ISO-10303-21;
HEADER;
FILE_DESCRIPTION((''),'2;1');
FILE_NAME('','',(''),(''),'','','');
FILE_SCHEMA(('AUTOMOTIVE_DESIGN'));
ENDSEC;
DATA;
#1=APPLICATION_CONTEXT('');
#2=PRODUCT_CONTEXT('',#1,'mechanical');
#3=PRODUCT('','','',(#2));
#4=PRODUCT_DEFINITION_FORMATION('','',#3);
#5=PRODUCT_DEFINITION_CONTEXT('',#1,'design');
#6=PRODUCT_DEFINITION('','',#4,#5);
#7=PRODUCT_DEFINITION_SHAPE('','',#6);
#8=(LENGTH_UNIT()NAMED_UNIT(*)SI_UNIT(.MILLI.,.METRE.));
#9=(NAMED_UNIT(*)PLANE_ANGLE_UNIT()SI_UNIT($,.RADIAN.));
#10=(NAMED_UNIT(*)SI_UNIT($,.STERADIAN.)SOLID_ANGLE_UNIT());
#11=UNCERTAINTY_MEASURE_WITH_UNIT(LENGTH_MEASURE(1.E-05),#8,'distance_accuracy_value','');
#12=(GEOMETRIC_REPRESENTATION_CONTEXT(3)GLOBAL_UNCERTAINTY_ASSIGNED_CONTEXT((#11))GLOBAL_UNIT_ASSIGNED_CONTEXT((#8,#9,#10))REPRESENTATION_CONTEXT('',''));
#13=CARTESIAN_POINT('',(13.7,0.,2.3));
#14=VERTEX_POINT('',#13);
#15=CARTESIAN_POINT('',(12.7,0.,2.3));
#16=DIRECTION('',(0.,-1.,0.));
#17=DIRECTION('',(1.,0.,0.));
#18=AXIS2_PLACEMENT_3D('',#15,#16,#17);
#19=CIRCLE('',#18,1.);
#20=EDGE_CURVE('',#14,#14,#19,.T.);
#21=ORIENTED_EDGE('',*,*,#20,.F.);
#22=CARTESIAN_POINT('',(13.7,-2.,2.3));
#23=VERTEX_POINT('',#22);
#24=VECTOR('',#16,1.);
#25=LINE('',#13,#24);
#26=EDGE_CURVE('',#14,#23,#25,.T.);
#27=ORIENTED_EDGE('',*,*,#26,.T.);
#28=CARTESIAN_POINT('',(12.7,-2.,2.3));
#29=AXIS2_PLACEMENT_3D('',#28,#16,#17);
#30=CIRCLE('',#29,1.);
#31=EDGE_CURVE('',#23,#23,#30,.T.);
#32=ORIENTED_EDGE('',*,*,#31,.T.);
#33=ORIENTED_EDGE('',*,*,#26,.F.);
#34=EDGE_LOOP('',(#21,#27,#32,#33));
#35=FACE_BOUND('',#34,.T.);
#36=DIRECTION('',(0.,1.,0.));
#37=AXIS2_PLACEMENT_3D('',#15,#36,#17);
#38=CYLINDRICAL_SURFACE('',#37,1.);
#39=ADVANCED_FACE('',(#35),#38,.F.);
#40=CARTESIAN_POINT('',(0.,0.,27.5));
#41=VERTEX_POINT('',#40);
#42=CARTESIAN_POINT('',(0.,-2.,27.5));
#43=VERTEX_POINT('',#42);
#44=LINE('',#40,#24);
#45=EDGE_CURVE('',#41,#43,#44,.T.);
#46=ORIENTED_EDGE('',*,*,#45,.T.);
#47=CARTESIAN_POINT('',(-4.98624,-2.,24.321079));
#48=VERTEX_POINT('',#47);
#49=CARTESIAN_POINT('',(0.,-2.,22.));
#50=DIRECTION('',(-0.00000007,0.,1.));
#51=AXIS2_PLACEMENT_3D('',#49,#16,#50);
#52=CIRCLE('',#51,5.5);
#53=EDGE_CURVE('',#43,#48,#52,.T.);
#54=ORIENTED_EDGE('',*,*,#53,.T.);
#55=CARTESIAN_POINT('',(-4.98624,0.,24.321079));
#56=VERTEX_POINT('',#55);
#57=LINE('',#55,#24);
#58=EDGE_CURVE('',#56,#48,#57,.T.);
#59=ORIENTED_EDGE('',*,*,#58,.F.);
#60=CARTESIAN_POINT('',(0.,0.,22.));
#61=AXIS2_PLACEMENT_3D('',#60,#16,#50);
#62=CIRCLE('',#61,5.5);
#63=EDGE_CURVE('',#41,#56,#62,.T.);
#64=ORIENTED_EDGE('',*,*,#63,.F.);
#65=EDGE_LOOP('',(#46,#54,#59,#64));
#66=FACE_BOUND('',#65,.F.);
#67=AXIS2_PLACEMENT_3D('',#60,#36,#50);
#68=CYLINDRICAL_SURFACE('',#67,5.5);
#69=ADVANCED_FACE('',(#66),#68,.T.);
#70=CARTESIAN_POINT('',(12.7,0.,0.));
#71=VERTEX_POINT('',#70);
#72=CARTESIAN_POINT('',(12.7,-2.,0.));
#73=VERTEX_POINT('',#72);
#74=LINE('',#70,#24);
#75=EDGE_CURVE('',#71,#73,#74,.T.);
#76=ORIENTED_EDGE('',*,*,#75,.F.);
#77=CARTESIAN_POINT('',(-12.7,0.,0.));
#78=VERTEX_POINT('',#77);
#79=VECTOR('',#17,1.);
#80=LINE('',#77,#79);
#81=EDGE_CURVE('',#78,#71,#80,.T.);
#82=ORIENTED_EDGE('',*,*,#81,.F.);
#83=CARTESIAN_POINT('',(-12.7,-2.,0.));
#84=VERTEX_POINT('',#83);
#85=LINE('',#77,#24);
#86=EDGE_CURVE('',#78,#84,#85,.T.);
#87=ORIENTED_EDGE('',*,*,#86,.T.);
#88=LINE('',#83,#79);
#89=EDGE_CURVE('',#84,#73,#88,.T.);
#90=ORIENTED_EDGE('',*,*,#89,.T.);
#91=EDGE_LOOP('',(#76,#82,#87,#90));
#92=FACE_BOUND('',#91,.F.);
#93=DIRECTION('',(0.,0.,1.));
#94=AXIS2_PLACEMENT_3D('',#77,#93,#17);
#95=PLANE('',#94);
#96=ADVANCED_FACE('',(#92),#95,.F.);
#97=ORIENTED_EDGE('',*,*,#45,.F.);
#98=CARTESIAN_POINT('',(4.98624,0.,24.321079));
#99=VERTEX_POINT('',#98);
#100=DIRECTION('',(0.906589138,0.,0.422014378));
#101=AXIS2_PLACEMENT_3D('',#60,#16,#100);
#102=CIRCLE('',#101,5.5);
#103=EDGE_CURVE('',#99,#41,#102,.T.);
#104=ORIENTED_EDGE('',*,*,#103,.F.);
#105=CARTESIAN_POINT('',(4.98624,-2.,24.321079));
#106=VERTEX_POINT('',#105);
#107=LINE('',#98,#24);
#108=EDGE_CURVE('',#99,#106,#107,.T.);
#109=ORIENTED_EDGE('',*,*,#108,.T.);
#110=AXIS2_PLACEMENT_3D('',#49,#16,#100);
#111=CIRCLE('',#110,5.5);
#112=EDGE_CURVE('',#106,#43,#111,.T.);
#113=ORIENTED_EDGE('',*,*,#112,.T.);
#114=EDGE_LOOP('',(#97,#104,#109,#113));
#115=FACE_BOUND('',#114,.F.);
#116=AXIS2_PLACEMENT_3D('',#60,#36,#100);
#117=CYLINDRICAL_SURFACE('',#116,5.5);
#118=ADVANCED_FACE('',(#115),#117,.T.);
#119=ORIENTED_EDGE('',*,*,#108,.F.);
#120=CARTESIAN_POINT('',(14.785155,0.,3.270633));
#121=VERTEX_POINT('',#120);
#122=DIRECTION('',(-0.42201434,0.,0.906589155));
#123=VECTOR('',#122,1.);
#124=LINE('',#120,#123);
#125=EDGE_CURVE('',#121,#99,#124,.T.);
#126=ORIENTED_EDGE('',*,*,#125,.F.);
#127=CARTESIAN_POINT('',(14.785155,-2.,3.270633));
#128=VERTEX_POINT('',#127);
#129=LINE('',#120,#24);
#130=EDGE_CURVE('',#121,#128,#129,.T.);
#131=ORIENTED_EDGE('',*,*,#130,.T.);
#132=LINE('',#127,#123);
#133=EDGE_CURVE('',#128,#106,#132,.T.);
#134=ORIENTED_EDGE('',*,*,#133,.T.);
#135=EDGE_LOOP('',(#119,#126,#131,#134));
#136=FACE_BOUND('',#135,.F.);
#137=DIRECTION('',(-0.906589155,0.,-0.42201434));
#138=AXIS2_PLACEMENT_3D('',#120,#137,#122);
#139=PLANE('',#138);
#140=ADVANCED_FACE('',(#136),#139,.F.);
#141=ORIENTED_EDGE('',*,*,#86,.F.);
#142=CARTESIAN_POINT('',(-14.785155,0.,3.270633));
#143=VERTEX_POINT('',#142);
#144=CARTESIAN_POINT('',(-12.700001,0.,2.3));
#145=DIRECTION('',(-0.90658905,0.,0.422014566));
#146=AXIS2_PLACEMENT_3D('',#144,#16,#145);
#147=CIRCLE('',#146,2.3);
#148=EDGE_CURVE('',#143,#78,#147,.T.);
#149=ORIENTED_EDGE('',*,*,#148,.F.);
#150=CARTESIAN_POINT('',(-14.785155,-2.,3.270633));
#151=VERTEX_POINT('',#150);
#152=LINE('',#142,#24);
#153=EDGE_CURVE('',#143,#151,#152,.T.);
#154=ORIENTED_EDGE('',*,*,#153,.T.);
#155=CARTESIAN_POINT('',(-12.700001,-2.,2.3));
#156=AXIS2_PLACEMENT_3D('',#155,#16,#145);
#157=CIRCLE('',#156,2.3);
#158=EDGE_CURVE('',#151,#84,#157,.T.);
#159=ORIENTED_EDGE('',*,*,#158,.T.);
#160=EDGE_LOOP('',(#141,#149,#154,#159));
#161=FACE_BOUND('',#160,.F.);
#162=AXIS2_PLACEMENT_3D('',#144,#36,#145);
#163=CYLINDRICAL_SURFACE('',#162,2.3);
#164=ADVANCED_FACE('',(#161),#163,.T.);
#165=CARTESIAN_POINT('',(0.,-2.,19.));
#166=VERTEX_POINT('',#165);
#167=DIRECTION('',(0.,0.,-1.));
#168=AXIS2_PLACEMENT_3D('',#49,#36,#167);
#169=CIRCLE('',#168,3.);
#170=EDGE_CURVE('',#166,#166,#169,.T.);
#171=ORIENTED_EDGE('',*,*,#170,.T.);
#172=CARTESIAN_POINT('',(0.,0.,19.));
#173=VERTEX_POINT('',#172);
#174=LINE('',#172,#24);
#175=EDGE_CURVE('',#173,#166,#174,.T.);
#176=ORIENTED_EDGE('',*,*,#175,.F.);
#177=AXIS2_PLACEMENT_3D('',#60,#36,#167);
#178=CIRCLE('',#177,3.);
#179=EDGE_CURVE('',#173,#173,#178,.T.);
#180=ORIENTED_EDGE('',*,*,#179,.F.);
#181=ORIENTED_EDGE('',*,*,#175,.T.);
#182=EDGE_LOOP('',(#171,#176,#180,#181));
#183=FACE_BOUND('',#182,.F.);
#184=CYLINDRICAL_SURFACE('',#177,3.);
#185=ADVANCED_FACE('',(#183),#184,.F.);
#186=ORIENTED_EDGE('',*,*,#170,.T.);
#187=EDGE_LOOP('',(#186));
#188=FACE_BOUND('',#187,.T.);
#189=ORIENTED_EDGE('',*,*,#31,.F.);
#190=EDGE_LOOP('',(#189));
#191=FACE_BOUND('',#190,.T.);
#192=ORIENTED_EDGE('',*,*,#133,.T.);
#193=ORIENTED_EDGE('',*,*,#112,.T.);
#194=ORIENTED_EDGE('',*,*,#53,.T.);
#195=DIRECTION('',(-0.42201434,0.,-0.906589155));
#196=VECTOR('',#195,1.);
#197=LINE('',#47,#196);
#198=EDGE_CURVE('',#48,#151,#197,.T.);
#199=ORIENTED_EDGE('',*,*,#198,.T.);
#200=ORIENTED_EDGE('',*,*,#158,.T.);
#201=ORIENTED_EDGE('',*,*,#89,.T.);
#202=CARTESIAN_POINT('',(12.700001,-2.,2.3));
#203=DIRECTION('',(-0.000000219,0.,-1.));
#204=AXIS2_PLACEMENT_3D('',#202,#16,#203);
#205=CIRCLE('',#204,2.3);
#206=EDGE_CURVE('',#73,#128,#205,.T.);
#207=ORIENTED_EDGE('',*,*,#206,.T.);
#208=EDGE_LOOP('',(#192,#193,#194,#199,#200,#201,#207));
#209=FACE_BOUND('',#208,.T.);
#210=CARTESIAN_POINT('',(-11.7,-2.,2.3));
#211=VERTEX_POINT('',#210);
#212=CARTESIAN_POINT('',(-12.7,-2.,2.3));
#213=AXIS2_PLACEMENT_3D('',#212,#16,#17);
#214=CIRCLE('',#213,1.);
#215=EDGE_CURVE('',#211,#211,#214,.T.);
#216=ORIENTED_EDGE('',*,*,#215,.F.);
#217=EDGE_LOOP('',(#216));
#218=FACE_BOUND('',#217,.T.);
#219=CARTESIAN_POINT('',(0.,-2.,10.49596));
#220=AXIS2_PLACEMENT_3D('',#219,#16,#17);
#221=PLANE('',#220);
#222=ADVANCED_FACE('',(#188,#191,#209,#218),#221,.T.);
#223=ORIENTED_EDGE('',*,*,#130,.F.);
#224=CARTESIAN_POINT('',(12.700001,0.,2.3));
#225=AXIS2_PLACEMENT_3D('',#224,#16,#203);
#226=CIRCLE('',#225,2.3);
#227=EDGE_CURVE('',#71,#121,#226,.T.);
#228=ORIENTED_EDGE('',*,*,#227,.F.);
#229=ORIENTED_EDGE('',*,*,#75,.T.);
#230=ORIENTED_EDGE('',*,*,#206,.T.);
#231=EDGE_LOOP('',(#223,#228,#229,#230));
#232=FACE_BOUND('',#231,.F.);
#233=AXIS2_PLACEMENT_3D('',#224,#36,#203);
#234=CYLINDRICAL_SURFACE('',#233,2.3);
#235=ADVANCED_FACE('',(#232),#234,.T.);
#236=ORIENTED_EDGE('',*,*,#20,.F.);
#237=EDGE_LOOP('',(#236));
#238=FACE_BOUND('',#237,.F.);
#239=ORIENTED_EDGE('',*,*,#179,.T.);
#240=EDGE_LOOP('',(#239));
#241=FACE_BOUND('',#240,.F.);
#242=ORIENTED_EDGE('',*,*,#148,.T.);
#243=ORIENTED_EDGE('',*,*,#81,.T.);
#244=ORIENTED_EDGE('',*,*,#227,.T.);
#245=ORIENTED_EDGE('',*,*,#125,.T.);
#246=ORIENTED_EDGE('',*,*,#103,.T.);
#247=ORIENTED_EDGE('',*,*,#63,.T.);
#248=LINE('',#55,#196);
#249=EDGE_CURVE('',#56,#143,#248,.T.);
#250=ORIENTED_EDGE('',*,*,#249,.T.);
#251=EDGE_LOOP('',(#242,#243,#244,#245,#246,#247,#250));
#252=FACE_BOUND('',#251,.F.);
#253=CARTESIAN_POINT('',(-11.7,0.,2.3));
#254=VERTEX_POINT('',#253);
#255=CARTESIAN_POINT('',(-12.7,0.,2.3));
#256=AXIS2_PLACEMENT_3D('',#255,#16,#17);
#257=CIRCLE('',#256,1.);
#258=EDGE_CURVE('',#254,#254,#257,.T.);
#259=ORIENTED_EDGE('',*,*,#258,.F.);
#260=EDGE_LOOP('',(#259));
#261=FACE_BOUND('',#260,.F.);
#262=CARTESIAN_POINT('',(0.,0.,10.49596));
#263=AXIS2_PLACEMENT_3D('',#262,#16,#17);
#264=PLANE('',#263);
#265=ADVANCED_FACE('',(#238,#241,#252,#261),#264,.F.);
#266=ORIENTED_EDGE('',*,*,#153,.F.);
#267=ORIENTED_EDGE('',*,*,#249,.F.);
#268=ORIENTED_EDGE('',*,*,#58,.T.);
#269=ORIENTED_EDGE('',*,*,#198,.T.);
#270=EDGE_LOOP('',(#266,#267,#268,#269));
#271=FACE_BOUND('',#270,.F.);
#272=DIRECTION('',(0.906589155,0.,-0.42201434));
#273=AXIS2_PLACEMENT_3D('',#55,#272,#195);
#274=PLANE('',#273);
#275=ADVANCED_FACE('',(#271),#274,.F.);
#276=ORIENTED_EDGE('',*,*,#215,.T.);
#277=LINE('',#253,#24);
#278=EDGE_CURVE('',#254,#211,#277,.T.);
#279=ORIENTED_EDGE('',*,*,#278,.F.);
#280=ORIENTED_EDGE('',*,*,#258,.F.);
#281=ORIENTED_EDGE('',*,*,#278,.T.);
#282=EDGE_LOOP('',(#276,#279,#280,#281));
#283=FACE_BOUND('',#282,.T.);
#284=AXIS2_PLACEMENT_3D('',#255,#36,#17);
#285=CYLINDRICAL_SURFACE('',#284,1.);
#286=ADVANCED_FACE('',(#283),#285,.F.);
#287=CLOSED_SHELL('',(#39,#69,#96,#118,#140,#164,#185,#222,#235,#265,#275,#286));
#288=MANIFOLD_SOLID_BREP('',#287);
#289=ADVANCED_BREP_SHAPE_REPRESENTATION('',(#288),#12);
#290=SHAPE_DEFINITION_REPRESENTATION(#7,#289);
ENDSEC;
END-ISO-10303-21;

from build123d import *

# Parameters (mm, degrees)
F0_R     = 1
F1_DEPTH = 2


with BuildPart() as f1:
    # F0 (on Front) → F1 (new body)
    with BuildSketch(Plane.XZ):
        with BuildLine():
            Line((14.785155, 3.270633), (4.98624, 24.321079))
            ThreePointArc((4.98624, 24.321079), (2.956693, 26.637668), (0, 27.5))
            ThreePointArc((0, 27.5), (-2.956693, 26.637668), (-4.98624, 24.321079))
            Line((-4.98624, 24.321079), (-14.785155, 3.270633))
            ThreePointArc((-14.785155, 3.270633), (-14.639389, 1.063565), (-12.7, 0))
            Line((-12.7, 0), (0, 0))
            Line((0, 0), (12.7, 0))
            ThreePointArc((12.7, 0), (14.639389, 1.063565), (14.785155, 3.270633))
        make_face()
        with Locations((-12.7, 2.3)):
            Circle(F0_R, mode=Mode.SUBTRACT)
        with Locations((12.7, 2.3)):
            Circle(F0_R, mode=Mode.SUBTRACT)
        with BuildLine():
            ThreePointArc((0, 25), (3, 22), (0, 19))
            ThreePointArc((0, 19), (-3, 22), (0, 25))
        make_face(mode=Mode.SUBTRACT)
    extrude(amount=F1_DEPTH)


solid = f1.part
